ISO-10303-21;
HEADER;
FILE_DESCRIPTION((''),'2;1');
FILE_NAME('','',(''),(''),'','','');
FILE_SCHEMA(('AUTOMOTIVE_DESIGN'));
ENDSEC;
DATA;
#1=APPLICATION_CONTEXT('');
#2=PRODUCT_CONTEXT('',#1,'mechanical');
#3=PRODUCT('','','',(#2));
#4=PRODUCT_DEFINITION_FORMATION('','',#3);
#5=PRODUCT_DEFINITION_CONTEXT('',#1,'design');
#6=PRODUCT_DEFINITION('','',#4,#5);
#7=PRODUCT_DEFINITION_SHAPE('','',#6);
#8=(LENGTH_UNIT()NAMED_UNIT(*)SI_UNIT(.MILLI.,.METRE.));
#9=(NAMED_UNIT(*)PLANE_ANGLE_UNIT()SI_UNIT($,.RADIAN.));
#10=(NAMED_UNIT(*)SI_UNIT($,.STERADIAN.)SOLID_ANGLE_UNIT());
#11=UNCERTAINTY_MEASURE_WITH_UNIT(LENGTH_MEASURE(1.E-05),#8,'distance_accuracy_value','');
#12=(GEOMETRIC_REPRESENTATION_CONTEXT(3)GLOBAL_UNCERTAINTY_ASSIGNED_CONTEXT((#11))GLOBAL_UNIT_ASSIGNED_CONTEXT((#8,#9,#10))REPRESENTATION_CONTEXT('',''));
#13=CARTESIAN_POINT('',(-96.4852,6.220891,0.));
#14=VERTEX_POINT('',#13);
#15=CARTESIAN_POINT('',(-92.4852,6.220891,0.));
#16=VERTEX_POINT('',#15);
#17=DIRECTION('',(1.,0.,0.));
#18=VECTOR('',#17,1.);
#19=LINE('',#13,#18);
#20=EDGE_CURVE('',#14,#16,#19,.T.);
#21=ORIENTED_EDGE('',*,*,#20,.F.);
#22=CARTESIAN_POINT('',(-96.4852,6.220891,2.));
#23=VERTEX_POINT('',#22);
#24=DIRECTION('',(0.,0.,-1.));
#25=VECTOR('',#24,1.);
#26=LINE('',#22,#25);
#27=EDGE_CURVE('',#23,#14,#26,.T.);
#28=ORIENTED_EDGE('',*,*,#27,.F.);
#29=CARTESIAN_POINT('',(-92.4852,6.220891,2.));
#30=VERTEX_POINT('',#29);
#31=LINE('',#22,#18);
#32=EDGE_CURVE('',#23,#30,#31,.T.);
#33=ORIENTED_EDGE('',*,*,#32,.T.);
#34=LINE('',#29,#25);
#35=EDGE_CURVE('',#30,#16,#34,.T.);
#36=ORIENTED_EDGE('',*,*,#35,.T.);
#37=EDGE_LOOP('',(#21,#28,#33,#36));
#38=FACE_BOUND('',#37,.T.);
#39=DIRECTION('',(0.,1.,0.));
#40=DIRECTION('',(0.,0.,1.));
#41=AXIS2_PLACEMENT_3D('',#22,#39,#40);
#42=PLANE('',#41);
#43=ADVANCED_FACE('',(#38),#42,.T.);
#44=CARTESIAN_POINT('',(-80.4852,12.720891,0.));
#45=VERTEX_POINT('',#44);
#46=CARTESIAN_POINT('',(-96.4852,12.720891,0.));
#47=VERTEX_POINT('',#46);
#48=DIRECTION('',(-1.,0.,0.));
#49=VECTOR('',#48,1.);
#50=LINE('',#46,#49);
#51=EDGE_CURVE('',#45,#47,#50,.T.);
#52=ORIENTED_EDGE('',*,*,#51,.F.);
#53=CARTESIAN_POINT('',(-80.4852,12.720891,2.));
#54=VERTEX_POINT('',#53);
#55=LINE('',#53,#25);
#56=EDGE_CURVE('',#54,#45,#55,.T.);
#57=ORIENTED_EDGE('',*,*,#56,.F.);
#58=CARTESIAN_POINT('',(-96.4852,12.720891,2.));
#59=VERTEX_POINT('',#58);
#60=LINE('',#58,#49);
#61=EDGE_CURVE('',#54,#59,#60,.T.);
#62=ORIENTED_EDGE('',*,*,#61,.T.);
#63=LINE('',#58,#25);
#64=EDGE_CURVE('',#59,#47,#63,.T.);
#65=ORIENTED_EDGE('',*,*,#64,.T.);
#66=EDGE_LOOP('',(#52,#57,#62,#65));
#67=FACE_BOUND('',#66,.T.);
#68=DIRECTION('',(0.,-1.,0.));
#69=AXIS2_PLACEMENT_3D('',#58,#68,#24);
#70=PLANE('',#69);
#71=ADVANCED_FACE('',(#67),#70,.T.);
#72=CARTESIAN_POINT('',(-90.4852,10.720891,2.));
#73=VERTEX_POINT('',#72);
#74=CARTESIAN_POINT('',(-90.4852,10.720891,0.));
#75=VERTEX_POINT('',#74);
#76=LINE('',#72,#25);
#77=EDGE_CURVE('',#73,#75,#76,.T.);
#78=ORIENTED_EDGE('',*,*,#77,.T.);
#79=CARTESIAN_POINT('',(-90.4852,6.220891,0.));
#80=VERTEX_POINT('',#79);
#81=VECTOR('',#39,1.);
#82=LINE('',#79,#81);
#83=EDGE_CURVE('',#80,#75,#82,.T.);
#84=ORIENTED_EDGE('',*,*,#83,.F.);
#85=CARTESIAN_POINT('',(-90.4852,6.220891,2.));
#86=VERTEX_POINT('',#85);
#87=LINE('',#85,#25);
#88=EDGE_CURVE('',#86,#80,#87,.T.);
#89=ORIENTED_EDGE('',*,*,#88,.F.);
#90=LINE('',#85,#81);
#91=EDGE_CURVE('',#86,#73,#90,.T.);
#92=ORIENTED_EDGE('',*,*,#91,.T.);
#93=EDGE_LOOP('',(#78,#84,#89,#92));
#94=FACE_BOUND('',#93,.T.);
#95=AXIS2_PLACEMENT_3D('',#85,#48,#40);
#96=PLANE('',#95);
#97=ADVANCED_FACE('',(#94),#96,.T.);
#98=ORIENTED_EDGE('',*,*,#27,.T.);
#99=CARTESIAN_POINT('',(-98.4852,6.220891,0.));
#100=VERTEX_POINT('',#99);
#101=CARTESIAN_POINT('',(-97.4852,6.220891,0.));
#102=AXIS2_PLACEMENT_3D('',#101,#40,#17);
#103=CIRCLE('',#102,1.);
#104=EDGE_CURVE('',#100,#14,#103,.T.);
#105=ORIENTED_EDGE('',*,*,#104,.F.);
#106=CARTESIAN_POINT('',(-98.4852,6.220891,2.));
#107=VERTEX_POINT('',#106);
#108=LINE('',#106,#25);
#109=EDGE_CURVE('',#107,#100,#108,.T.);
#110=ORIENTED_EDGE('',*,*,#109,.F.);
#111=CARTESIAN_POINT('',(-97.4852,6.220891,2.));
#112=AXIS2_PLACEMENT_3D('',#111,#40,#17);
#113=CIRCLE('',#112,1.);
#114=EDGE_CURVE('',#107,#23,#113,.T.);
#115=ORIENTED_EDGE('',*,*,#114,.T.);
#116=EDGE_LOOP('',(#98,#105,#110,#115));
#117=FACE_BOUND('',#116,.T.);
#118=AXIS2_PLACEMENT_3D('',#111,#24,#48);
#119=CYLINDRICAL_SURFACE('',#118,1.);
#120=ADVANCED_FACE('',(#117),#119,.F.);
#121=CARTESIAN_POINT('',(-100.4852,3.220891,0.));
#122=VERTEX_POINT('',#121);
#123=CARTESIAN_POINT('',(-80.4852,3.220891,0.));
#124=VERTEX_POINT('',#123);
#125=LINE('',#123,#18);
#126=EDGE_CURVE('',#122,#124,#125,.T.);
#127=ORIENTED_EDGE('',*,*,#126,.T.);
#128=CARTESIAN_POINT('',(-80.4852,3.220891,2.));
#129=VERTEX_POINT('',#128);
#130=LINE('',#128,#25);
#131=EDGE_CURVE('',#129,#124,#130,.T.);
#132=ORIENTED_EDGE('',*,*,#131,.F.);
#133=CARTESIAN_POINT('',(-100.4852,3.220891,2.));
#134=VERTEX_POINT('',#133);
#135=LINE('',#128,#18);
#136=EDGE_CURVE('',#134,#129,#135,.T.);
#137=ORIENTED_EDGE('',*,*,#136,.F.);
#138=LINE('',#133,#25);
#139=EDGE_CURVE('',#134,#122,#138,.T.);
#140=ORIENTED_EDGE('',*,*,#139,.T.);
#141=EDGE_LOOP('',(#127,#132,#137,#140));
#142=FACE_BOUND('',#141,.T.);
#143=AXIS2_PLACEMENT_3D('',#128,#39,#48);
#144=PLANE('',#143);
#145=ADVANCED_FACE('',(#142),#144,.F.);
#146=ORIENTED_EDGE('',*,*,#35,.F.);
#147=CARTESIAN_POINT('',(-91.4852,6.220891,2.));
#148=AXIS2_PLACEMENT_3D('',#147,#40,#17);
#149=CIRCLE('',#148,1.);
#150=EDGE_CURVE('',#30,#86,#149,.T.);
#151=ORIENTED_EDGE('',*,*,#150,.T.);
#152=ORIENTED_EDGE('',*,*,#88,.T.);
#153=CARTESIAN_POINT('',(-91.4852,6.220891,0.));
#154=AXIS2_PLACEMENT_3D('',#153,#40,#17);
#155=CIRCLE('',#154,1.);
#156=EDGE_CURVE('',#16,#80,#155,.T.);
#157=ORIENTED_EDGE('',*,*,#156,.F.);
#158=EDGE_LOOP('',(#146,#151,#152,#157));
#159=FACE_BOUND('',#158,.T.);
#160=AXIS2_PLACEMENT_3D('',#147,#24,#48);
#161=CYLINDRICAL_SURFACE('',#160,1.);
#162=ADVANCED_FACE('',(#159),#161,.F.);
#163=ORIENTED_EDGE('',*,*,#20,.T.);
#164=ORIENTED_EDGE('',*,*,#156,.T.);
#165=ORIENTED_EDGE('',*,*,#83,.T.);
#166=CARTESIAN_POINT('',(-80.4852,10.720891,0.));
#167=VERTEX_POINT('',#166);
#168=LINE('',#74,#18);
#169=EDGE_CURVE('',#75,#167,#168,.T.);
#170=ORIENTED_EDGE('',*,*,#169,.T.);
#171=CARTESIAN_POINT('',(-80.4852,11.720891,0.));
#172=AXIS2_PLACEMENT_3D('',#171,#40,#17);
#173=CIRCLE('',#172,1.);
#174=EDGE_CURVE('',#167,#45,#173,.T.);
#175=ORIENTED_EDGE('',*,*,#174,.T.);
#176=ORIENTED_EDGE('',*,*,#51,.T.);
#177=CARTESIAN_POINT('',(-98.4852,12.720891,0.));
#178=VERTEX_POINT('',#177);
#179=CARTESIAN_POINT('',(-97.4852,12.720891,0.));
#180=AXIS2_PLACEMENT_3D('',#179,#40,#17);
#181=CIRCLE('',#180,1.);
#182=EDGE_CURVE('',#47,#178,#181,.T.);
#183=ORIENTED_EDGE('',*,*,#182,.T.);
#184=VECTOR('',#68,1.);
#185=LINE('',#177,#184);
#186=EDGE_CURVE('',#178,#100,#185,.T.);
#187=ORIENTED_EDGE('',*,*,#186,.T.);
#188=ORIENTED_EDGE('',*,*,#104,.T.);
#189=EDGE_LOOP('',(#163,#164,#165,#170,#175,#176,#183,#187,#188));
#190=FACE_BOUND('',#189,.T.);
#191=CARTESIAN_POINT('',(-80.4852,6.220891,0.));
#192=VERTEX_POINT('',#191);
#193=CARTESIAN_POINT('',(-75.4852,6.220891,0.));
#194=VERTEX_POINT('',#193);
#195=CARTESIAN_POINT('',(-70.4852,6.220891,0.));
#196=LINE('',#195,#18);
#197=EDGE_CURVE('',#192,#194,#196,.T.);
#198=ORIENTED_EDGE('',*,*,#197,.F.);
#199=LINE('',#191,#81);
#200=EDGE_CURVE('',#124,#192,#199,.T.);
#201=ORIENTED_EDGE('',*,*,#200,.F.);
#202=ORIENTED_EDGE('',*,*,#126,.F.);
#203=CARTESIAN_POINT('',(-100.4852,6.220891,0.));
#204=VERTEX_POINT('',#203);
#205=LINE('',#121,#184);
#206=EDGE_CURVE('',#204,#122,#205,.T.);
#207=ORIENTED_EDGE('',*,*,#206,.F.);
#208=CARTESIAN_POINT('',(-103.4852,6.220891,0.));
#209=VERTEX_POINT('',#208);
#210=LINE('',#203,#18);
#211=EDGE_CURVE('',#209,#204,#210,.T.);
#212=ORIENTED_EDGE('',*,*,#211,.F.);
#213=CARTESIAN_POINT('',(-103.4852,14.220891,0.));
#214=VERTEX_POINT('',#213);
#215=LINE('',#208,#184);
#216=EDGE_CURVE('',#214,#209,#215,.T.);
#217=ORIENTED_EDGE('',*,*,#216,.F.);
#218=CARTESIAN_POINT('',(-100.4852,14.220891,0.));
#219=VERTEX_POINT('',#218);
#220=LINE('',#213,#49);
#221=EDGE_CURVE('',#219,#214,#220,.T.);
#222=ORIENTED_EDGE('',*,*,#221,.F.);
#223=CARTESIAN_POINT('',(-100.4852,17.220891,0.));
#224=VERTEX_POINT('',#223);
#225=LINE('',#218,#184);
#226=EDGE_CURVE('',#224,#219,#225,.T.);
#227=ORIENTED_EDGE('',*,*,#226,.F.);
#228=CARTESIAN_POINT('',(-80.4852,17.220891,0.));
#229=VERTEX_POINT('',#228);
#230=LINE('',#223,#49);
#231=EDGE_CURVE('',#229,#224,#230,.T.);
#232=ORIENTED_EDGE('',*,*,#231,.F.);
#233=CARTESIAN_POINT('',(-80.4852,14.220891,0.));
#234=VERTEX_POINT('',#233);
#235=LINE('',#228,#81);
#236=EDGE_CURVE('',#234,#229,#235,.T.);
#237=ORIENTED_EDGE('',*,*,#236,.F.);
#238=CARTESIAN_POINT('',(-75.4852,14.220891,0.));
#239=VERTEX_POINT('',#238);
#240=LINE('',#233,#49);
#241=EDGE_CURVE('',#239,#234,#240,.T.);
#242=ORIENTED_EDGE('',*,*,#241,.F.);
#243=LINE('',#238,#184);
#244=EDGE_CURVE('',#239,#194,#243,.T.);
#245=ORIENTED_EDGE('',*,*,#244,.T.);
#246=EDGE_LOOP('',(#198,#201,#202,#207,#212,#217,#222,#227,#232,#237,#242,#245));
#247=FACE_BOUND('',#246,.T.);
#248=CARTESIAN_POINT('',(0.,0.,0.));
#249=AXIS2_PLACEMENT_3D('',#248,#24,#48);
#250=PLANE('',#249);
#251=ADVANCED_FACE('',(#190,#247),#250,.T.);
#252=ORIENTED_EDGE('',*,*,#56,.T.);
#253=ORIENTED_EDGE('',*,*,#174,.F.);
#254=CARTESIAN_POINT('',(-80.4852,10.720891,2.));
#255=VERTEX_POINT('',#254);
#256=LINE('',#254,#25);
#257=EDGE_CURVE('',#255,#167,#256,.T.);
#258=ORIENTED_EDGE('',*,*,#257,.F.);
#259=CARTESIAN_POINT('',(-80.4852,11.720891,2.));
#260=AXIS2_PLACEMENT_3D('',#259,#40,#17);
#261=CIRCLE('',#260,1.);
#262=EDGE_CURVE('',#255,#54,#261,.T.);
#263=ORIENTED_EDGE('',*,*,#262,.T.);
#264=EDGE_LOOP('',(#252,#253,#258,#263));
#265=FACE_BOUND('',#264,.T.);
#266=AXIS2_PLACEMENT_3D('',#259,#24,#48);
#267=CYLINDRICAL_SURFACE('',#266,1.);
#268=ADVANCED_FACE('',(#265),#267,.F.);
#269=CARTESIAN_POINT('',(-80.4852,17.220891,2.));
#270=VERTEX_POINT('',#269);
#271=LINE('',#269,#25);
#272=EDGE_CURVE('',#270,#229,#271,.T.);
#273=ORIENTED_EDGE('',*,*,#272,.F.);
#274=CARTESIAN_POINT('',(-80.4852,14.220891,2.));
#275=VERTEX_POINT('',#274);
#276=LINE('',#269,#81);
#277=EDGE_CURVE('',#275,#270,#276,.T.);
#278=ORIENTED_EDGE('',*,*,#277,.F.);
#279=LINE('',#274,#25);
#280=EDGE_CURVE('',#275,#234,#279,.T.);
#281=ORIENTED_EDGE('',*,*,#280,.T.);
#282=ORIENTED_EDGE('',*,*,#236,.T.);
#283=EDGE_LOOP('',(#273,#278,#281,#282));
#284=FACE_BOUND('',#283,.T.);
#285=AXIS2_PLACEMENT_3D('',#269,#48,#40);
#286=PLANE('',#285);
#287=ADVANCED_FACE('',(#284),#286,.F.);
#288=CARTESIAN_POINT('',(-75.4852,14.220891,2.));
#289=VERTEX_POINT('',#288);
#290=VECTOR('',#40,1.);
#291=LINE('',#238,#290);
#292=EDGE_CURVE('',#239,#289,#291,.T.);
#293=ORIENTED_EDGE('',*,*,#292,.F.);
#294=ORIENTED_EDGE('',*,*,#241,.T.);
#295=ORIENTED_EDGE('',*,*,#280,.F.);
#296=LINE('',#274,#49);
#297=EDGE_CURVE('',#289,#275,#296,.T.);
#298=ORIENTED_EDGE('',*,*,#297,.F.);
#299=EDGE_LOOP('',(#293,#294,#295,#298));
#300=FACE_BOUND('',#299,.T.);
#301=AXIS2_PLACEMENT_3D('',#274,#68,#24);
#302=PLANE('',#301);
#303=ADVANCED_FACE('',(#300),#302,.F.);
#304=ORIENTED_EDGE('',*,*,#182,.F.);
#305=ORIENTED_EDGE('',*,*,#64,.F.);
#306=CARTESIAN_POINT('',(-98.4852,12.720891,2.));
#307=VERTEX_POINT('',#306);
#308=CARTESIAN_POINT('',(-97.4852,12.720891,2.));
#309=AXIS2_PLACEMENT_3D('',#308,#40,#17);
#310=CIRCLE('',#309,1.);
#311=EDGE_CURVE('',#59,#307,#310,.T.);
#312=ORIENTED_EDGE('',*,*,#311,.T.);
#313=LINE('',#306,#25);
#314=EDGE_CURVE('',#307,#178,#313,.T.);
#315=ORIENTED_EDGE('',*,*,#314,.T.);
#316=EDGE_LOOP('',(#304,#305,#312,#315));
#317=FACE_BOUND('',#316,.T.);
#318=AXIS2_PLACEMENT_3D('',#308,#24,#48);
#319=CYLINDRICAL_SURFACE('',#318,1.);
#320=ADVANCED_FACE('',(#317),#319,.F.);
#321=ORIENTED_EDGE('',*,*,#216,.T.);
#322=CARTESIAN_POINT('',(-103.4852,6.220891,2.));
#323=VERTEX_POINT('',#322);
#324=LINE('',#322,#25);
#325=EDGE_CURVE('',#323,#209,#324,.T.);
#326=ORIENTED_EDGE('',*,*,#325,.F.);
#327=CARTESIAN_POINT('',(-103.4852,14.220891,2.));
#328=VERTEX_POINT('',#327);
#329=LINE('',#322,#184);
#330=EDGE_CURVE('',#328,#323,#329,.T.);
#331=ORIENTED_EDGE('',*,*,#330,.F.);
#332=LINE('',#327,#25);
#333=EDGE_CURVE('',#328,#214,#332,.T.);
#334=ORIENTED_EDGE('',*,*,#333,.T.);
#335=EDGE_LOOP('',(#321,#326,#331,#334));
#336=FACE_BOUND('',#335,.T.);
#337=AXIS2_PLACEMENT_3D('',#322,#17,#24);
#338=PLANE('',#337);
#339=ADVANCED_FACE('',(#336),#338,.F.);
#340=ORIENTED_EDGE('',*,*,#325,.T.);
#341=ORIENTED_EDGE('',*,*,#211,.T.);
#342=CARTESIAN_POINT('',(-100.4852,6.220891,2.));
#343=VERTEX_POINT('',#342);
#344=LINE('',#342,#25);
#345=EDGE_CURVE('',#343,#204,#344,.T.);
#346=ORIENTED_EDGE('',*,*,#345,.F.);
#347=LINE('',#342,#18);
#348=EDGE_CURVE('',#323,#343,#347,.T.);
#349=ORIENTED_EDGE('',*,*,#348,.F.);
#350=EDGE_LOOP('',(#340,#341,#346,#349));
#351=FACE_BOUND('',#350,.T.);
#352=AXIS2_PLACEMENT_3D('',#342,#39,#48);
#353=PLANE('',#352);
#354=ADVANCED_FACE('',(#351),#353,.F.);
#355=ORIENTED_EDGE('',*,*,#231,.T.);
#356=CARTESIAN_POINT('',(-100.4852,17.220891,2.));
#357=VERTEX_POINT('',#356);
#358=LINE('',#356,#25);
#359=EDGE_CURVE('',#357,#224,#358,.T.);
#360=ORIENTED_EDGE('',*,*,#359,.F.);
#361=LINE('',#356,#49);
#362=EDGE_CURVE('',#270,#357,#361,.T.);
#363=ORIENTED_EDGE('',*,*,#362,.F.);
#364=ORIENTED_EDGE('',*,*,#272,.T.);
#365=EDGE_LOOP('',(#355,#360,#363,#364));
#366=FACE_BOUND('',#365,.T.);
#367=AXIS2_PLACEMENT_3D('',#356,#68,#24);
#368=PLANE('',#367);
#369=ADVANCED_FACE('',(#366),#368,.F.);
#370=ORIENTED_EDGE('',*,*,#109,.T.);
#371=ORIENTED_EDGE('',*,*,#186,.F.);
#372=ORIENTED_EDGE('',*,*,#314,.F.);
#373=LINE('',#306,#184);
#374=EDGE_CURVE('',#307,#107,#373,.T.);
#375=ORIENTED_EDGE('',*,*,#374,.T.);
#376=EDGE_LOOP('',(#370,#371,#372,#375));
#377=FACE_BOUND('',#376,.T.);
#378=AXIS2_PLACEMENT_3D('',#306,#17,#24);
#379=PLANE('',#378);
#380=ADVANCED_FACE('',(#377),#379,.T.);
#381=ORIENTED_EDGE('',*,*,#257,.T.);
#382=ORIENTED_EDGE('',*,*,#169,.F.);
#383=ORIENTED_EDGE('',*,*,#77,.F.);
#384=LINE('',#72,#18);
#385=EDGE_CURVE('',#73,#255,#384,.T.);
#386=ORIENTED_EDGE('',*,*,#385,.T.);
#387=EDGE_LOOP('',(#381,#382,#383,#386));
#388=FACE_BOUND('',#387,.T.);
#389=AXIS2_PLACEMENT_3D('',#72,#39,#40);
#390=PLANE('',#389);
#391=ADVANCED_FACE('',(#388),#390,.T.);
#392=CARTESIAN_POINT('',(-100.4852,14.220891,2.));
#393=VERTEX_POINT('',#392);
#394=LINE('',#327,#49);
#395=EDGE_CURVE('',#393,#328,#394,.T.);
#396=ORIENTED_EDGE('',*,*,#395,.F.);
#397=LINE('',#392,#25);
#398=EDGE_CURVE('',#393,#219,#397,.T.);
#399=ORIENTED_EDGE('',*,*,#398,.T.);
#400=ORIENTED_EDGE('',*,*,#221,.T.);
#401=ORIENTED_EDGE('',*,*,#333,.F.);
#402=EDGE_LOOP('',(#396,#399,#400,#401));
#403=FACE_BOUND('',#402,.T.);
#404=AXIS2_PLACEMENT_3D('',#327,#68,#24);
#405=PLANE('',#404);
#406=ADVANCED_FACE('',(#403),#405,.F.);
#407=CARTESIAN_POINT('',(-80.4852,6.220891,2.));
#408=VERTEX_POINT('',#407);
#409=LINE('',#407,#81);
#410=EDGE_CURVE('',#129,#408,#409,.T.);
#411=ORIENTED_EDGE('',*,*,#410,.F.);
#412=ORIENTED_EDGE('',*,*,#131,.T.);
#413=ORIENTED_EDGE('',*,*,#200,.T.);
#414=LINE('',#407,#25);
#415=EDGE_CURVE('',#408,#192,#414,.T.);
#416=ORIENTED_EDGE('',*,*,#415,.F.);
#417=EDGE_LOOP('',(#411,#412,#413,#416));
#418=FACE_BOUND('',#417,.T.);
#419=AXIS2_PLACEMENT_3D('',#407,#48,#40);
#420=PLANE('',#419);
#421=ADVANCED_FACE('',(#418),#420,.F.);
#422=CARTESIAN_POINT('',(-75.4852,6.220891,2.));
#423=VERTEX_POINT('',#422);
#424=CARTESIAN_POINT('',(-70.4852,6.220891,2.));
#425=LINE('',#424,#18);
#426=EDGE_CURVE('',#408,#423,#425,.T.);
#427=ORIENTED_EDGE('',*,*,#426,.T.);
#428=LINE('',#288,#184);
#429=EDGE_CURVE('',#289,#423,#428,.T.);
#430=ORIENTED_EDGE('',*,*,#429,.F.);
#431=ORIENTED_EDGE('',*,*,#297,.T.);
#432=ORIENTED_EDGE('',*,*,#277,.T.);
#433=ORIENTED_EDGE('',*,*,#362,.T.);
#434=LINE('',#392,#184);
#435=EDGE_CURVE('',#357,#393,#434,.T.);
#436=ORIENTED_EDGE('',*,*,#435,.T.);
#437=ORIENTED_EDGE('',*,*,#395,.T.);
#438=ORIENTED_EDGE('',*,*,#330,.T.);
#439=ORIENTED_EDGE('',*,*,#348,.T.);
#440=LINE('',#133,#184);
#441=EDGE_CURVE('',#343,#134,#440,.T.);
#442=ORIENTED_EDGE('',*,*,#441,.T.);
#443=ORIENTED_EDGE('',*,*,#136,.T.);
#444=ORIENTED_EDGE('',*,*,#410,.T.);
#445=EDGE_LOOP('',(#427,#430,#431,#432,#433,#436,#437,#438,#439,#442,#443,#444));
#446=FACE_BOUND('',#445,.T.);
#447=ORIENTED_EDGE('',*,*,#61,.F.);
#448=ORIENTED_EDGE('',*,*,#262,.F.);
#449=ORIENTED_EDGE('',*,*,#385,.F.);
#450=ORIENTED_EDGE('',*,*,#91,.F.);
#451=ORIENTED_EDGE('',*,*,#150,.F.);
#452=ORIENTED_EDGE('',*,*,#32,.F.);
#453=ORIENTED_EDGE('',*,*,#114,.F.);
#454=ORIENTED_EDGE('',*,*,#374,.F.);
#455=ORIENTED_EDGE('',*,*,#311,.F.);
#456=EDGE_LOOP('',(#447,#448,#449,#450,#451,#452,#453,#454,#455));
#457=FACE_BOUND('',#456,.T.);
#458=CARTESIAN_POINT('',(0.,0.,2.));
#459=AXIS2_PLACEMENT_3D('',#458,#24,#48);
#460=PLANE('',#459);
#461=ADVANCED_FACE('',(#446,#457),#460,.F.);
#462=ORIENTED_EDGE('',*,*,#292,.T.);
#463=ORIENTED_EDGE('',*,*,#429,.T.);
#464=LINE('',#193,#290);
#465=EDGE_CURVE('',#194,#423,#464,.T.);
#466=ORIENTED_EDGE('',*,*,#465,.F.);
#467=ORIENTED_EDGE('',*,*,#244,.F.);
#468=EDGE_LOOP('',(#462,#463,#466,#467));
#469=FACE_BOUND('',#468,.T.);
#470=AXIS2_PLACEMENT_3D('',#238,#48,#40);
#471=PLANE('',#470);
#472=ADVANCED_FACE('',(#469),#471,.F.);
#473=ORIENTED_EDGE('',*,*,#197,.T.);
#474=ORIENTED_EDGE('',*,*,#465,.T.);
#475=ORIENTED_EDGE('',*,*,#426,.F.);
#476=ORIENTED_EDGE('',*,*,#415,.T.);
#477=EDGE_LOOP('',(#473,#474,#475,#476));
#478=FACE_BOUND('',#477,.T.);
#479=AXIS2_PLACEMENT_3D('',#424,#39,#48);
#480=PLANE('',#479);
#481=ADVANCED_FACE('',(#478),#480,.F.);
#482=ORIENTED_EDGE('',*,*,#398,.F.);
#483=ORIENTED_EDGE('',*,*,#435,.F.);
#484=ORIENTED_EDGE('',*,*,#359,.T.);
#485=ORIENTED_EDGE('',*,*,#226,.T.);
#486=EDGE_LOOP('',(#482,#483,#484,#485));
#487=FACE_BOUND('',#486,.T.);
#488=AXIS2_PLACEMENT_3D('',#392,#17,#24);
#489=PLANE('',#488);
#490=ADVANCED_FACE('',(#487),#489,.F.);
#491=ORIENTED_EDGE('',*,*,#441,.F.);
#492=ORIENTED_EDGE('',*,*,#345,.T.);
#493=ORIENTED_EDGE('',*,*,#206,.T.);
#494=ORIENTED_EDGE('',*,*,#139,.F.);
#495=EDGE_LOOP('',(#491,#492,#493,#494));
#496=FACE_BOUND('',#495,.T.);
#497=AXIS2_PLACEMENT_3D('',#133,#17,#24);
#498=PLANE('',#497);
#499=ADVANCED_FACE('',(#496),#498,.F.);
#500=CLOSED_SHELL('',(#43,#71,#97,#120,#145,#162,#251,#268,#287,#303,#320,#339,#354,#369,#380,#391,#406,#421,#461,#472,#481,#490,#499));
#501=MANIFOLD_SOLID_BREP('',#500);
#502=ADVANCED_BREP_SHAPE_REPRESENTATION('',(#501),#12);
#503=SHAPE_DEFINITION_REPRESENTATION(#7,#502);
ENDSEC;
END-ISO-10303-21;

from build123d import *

# Parameters (mm, degrees)
BOSS_EXTRUDE1_DEPTH = 2
SKETCH3_W           = 5
SKETCH3_H           = 8
CUT_EXTRUDE1_DEPTH  = 2


with BuildPart() as part:
    # Sketch2 → Boss-Extrude1 (new body)
    with BuildSketch(Plane.XY):
        Polygon((-100.485199734, 17.220891199), (-80.485199734, 17.220891199), (-80.485199734, 14.220891199), (-70.485199734, 14.220891199), (-70.485199734, 6.220891199), (-80.485199734, 6.220891199), (-80.485199734, 3.220891199), (-100.485199734, 3.220891199), (-100.485199734, 6.220891199), (-103.485199734, 6.220891199), (-103.485199734, 14.220891199), (-100.485199734, 14.220891199), align=None)
        with BuildLine():
            Line((-90.485199734, 10.720891199), (-80.485199734, 10.720891199))
            ThreePointArc((-80.485199734, 10.720891199), (-79.485199734, 11.720891199), (-80.485199734, 12.720891199))
            Line((-80.485199734, 12.720891199), (-96.485199734, 12.720891199))
            ThreePointArc((-96.485199734, 12.720891199), (-97.485199734, 13.720891199), (-98.485199734, 12.720891199))
            Line((-98.485199734, 12.720891199), (-98.485199734, 6.220891199))
            ThreePointArc((-98.485199734, 6.220891199), (-97.485199734, 5.220891199), (-96.485199734, 6.220891199))
            Line((-96.485199734, 6.220891199), (-92.485199734, 6.220891199))
            ThreePointArc((-92.485199734, 6.220891199), (-91.485199734, 5.220891199), (-90.485199734, 6.220891199))
            Line((-90.485199734, 6.220891199), (-90.485199734, 10.720891199))
        make_face(mode=Mode.SUBTRACT)
    extrude(amount=BOSS_EXTRUDE1_DEPTH)

    # Sketch3 → Cut-Extrude1 (cut)
    with BuildSketch(Plane.XY.offset(2)):
        with Locations((-72.985199734, 10.220891199)):
            Rectangle(SKETCH3_W, SKETCH3_H)
    extrude(amount=-CUT_EXTRUDE1_DEPTH, mode=Mode.SUBTRACT)


solid = part.part
